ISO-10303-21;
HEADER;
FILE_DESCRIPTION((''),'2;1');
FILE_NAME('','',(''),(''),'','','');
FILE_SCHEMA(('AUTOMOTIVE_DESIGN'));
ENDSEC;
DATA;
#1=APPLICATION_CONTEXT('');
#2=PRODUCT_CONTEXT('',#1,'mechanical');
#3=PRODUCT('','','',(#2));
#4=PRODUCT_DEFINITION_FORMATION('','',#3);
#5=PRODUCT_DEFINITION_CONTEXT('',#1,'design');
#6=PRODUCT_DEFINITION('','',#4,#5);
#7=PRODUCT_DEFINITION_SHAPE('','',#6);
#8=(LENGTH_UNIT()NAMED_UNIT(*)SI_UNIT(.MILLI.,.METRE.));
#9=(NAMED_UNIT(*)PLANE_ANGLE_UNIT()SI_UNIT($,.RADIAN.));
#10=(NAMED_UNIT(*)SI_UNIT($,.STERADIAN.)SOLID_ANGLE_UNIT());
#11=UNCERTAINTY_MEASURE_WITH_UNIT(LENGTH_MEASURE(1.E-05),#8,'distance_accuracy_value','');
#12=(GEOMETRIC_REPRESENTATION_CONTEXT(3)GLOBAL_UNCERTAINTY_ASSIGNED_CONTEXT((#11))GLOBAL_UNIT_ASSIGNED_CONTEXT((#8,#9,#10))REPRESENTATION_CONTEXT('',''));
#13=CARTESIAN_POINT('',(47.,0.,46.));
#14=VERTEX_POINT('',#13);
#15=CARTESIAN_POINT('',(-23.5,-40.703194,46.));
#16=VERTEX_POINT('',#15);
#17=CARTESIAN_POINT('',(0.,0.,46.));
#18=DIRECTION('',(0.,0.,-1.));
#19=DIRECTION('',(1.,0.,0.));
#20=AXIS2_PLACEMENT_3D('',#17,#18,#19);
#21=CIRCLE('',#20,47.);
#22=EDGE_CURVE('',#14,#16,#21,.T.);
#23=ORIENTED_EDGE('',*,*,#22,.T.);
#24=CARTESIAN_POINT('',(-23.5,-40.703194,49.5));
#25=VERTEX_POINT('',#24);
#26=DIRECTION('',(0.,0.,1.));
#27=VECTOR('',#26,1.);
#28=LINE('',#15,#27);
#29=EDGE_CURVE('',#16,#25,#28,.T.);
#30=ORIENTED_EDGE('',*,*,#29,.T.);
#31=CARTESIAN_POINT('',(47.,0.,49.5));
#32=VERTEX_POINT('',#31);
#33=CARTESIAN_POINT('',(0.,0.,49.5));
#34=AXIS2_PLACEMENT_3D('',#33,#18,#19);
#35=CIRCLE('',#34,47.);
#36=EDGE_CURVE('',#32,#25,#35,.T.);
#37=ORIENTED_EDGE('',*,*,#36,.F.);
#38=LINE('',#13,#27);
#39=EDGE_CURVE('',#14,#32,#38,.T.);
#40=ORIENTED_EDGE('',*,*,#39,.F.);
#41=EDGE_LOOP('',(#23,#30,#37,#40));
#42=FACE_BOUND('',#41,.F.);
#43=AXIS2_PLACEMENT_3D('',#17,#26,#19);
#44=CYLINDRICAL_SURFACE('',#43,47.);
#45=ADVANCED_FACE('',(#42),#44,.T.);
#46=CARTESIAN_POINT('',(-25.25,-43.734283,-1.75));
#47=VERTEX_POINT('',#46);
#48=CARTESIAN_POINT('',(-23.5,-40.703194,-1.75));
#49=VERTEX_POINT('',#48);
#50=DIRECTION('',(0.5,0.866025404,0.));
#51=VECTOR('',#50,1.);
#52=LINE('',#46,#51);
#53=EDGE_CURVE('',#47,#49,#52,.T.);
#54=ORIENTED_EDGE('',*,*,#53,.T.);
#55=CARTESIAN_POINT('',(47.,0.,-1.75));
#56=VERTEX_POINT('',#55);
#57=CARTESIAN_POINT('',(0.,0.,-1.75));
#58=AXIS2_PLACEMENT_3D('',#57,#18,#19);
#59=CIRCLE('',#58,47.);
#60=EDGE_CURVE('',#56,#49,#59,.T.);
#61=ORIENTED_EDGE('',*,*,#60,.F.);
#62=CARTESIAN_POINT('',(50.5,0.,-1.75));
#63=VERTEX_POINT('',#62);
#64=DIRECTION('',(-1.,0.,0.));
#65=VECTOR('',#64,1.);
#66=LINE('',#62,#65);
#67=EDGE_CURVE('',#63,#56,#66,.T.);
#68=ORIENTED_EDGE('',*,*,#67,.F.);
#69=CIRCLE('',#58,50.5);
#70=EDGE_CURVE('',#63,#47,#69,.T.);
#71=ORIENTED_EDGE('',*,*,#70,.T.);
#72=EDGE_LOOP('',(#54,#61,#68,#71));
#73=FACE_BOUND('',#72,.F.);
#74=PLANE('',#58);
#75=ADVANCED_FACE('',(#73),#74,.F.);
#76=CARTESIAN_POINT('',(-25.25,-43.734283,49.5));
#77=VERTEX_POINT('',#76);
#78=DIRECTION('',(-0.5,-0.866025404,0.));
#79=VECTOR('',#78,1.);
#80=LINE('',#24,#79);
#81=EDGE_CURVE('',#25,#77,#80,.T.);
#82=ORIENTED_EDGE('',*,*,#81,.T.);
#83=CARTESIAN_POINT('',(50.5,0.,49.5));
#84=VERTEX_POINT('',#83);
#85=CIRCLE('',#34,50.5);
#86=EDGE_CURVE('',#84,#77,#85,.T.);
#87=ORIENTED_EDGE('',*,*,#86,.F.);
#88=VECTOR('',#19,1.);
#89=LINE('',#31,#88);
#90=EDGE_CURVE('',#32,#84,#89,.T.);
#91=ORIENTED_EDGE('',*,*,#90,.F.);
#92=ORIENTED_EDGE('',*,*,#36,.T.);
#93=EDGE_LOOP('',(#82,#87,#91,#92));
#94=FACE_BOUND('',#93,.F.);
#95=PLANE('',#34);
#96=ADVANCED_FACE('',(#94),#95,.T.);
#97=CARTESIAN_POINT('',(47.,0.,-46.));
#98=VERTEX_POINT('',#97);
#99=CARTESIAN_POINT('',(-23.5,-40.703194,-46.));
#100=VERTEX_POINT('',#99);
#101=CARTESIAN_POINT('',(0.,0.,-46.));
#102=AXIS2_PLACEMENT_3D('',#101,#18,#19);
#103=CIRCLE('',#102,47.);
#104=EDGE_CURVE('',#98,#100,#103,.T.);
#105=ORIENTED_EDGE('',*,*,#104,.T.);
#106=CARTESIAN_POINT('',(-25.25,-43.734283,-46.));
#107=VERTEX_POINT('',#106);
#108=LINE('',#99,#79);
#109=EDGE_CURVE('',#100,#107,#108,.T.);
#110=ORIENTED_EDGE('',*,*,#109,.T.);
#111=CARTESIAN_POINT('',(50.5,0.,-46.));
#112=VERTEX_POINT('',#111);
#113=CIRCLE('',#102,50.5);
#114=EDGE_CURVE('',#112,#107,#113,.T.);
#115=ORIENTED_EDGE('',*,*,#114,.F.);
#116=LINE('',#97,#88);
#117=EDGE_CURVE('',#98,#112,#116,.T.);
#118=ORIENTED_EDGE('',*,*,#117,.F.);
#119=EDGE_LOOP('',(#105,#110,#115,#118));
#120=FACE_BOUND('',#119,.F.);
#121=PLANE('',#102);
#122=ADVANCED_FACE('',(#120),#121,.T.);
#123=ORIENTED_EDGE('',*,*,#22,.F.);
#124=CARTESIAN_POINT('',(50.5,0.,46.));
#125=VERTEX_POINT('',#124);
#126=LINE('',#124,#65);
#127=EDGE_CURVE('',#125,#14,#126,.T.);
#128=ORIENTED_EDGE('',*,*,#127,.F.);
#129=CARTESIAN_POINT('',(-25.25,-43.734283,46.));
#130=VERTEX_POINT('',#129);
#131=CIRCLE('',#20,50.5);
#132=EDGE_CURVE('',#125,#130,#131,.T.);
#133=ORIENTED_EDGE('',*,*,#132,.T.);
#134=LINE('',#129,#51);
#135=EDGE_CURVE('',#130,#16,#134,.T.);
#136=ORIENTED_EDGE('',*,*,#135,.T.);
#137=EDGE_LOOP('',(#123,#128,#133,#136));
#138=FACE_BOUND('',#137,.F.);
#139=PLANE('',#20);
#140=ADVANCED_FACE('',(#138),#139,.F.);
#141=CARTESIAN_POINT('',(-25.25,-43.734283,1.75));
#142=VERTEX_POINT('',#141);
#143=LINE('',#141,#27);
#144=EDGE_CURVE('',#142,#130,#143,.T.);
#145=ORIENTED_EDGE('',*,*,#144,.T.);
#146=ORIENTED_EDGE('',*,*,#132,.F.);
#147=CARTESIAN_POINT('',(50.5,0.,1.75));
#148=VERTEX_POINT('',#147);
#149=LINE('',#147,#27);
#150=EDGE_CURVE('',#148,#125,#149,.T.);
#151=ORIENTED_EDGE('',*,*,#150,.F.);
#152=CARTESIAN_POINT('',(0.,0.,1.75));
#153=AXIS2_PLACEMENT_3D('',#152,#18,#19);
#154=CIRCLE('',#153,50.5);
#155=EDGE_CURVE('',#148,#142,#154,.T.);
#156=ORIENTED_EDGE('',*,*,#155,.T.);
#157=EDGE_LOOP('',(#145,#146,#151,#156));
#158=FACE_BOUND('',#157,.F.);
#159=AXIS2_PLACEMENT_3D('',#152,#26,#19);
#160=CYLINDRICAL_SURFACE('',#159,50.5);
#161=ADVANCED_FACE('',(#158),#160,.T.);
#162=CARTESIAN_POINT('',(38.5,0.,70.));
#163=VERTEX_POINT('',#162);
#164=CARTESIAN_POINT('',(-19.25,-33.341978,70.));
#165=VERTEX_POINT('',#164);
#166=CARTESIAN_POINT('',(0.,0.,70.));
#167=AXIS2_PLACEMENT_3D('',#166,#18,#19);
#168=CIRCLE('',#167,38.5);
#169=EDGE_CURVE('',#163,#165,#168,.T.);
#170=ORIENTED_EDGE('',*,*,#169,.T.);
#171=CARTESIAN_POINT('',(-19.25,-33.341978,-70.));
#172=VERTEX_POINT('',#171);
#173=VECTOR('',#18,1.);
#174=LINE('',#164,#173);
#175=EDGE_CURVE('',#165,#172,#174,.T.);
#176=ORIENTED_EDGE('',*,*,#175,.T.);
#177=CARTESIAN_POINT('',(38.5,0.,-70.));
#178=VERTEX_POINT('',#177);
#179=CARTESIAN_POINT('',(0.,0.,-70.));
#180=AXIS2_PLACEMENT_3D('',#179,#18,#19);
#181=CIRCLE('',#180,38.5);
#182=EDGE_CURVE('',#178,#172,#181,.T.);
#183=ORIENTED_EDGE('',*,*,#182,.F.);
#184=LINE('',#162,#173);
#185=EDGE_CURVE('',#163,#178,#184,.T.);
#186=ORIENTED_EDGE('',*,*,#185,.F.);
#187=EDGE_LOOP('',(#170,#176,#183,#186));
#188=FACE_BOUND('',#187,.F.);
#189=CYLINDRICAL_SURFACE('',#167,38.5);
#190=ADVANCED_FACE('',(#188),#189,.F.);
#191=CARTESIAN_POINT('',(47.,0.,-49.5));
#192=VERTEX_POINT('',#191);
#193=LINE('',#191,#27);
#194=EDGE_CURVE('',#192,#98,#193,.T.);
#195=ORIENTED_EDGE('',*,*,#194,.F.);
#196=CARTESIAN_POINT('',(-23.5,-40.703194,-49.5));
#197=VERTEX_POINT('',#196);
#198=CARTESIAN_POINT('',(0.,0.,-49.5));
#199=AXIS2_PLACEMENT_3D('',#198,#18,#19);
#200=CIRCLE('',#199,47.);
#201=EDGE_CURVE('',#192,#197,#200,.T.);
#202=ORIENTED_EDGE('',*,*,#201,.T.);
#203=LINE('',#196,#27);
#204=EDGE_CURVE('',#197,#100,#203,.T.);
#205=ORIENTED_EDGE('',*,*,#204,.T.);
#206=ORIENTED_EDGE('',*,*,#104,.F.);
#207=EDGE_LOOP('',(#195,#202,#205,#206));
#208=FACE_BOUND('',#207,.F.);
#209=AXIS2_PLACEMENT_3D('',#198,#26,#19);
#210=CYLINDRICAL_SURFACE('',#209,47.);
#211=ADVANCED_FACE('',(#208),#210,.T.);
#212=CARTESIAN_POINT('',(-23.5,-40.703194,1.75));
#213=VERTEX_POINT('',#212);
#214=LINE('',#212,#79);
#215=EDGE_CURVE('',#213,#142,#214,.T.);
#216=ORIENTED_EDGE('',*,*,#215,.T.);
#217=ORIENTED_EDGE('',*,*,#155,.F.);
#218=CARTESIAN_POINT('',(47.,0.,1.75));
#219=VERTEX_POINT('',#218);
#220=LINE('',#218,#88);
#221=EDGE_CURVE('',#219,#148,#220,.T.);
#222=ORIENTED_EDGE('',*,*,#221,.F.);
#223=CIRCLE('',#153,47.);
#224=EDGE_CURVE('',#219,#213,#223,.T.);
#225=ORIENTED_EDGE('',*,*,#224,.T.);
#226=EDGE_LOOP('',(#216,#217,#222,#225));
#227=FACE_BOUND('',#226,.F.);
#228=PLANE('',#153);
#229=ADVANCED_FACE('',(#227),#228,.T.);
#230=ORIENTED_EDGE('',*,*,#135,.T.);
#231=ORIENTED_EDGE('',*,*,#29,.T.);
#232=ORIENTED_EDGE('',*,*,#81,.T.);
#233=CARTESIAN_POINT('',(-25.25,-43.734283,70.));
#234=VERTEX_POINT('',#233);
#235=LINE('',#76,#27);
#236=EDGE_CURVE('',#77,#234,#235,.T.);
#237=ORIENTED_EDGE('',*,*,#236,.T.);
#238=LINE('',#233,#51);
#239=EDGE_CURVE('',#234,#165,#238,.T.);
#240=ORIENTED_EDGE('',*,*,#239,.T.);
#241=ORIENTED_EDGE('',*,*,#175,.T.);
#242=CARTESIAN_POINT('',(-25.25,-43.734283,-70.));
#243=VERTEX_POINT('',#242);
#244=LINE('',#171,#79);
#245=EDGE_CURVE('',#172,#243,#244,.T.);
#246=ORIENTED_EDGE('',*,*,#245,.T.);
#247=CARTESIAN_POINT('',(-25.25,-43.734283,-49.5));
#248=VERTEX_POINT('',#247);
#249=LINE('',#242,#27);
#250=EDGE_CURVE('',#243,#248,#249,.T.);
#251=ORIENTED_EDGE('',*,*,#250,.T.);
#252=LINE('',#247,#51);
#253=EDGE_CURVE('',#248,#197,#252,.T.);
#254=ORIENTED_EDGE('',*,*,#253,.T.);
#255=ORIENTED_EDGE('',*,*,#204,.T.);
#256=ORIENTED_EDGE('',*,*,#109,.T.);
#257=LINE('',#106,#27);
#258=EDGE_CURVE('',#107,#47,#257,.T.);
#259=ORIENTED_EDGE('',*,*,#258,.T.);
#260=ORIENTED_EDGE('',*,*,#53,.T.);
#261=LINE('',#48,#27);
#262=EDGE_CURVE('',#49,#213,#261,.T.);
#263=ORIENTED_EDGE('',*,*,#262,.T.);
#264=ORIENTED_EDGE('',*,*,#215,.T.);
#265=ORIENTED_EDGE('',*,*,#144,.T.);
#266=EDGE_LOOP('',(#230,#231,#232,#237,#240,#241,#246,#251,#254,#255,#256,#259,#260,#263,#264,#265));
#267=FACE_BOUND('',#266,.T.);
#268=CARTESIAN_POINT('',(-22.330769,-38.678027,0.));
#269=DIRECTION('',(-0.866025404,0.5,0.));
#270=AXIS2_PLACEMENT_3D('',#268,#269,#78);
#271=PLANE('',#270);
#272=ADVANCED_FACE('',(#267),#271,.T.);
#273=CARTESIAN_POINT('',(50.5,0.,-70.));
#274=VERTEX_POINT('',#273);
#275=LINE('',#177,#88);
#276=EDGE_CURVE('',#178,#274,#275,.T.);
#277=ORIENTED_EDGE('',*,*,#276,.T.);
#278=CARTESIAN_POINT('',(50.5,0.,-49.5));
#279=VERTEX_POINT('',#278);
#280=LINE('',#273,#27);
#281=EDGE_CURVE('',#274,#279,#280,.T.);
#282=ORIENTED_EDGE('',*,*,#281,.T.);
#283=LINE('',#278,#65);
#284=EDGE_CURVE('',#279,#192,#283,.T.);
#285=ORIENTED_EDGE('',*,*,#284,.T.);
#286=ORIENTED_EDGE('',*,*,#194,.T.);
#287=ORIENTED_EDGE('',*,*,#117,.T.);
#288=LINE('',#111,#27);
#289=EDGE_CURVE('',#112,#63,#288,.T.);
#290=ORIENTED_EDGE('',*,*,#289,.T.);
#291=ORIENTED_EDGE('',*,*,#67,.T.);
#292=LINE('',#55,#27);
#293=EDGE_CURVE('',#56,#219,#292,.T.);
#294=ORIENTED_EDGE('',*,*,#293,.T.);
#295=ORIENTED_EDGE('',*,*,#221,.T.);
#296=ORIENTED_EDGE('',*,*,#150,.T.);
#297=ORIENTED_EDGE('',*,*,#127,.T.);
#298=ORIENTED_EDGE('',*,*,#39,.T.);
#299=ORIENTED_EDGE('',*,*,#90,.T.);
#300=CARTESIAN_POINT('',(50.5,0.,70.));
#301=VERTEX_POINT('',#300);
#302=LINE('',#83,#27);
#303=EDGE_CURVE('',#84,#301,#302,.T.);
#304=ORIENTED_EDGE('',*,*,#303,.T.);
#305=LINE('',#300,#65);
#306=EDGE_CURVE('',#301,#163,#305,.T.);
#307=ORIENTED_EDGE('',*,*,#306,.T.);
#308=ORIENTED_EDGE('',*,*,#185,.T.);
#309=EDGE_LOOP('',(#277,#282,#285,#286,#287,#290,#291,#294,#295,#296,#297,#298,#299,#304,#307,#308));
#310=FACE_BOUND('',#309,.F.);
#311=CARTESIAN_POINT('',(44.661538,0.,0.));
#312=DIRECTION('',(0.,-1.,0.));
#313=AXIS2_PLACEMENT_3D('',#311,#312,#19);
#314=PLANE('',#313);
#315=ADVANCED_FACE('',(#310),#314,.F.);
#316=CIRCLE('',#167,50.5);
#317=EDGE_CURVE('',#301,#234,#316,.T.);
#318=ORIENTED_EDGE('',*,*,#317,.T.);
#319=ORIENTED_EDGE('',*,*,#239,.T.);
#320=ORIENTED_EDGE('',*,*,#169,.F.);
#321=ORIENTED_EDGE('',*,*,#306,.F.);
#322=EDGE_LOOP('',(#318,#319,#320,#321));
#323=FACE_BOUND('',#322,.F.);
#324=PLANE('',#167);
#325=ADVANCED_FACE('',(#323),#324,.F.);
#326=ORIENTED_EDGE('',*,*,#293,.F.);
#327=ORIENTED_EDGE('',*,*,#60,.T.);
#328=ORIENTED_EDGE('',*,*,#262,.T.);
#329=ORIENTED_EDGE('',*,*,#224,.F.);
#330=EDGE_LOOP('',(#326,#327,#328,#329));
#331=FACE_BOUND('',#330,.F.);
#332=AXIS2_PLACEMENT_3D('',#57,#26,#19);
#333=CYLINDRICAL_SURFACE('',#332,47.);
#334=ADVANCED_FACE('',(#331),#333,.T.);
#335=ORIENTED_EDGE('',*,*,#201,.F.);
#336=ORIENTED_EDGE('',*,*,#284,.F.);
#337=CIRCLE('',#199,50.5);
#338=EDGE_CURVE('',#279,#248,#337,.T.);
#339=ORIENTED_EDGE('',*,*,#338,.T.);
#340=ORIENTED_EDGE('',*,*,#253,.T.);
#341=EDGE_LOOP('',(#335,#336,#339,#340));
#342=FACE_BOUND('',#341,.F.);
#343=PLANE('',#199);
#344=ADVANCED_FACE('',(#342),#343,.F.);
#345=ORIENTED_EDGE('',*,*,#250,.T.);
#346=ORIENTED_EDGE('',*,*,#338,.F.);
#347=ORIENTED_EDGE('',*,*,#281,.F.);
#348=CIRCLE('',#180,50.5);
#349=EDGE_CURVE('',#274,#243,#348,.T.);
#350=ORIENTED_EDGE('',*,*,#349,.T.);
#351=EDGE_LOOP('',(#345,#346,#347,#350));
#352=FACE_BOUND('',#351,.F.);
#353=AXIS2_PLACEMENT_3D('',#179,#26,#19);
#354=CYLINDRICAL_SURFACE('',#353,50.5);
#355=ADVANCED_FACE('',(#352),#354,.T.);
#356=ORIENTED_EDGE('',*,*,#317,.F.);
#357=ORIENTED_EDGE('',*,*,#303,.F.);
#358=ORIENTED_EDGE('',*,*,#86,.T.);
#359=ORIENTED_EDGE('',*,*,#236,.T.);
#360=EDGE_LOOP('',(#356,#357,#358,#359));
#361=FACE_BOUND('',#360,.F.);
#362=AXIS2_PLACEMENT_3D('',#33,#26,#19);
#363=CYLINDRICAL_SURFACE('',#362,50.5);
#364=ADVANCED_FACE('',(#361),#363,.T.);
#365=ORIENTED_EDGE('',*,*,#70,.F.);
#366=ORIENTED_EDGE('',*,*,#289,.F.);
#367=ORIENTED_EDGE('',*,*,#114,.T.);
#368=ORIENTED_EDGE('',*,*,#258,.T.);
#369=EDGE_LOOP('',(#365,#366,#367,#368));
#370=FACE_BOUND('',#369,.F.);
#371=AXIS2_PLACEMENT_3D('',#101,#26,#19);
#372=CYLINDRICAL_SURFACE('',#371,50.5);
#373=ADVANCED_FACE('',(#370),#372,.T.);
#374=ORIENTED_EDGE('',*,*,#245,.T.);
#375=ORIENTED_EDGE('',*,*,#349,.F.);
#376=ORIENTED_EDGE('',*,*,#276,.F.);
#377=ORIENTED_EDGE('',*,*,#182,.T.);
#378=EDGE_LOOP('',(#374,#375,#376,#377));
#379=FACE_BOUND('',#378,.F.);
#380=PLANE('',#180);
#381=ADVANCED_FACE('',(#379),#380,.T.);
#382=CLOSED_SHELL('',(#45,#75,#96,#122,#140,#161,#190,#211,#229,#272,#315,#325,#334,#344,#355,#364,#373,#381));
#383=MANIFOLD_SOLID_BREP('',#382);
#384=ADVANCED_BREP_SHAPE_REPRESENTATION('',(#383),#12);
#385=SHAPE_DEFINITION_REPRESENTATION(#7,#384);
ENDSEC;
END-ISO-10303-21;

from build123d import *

# Parameters (mm, degrees)
F1_ANGLE = 120


with BuildPart() as f1:
    # F0 (on Front) → F1 (revolve)
    with BuildSketch(Plane.XZ):
        Polygon((38.5, 70), (38.5, 0), (38.5, -70), (50.5, -70), (50.5, -49.5), (47, -49.5), (47, -46), (50.5, -46), (50.5, -1.75), (47, -1.75), (47, 0), (47, 1.75), (50.5, 1.75), (50.5, 46), (47, 46), (47, 49.5), (50.5, 49.5), (50.5, 70), align=None)
    revolve(axis=Axis((0, 0, -1.828774), (0, 0, -1)), revolution_arc=F1_ANGLE)


solid = f1.part
